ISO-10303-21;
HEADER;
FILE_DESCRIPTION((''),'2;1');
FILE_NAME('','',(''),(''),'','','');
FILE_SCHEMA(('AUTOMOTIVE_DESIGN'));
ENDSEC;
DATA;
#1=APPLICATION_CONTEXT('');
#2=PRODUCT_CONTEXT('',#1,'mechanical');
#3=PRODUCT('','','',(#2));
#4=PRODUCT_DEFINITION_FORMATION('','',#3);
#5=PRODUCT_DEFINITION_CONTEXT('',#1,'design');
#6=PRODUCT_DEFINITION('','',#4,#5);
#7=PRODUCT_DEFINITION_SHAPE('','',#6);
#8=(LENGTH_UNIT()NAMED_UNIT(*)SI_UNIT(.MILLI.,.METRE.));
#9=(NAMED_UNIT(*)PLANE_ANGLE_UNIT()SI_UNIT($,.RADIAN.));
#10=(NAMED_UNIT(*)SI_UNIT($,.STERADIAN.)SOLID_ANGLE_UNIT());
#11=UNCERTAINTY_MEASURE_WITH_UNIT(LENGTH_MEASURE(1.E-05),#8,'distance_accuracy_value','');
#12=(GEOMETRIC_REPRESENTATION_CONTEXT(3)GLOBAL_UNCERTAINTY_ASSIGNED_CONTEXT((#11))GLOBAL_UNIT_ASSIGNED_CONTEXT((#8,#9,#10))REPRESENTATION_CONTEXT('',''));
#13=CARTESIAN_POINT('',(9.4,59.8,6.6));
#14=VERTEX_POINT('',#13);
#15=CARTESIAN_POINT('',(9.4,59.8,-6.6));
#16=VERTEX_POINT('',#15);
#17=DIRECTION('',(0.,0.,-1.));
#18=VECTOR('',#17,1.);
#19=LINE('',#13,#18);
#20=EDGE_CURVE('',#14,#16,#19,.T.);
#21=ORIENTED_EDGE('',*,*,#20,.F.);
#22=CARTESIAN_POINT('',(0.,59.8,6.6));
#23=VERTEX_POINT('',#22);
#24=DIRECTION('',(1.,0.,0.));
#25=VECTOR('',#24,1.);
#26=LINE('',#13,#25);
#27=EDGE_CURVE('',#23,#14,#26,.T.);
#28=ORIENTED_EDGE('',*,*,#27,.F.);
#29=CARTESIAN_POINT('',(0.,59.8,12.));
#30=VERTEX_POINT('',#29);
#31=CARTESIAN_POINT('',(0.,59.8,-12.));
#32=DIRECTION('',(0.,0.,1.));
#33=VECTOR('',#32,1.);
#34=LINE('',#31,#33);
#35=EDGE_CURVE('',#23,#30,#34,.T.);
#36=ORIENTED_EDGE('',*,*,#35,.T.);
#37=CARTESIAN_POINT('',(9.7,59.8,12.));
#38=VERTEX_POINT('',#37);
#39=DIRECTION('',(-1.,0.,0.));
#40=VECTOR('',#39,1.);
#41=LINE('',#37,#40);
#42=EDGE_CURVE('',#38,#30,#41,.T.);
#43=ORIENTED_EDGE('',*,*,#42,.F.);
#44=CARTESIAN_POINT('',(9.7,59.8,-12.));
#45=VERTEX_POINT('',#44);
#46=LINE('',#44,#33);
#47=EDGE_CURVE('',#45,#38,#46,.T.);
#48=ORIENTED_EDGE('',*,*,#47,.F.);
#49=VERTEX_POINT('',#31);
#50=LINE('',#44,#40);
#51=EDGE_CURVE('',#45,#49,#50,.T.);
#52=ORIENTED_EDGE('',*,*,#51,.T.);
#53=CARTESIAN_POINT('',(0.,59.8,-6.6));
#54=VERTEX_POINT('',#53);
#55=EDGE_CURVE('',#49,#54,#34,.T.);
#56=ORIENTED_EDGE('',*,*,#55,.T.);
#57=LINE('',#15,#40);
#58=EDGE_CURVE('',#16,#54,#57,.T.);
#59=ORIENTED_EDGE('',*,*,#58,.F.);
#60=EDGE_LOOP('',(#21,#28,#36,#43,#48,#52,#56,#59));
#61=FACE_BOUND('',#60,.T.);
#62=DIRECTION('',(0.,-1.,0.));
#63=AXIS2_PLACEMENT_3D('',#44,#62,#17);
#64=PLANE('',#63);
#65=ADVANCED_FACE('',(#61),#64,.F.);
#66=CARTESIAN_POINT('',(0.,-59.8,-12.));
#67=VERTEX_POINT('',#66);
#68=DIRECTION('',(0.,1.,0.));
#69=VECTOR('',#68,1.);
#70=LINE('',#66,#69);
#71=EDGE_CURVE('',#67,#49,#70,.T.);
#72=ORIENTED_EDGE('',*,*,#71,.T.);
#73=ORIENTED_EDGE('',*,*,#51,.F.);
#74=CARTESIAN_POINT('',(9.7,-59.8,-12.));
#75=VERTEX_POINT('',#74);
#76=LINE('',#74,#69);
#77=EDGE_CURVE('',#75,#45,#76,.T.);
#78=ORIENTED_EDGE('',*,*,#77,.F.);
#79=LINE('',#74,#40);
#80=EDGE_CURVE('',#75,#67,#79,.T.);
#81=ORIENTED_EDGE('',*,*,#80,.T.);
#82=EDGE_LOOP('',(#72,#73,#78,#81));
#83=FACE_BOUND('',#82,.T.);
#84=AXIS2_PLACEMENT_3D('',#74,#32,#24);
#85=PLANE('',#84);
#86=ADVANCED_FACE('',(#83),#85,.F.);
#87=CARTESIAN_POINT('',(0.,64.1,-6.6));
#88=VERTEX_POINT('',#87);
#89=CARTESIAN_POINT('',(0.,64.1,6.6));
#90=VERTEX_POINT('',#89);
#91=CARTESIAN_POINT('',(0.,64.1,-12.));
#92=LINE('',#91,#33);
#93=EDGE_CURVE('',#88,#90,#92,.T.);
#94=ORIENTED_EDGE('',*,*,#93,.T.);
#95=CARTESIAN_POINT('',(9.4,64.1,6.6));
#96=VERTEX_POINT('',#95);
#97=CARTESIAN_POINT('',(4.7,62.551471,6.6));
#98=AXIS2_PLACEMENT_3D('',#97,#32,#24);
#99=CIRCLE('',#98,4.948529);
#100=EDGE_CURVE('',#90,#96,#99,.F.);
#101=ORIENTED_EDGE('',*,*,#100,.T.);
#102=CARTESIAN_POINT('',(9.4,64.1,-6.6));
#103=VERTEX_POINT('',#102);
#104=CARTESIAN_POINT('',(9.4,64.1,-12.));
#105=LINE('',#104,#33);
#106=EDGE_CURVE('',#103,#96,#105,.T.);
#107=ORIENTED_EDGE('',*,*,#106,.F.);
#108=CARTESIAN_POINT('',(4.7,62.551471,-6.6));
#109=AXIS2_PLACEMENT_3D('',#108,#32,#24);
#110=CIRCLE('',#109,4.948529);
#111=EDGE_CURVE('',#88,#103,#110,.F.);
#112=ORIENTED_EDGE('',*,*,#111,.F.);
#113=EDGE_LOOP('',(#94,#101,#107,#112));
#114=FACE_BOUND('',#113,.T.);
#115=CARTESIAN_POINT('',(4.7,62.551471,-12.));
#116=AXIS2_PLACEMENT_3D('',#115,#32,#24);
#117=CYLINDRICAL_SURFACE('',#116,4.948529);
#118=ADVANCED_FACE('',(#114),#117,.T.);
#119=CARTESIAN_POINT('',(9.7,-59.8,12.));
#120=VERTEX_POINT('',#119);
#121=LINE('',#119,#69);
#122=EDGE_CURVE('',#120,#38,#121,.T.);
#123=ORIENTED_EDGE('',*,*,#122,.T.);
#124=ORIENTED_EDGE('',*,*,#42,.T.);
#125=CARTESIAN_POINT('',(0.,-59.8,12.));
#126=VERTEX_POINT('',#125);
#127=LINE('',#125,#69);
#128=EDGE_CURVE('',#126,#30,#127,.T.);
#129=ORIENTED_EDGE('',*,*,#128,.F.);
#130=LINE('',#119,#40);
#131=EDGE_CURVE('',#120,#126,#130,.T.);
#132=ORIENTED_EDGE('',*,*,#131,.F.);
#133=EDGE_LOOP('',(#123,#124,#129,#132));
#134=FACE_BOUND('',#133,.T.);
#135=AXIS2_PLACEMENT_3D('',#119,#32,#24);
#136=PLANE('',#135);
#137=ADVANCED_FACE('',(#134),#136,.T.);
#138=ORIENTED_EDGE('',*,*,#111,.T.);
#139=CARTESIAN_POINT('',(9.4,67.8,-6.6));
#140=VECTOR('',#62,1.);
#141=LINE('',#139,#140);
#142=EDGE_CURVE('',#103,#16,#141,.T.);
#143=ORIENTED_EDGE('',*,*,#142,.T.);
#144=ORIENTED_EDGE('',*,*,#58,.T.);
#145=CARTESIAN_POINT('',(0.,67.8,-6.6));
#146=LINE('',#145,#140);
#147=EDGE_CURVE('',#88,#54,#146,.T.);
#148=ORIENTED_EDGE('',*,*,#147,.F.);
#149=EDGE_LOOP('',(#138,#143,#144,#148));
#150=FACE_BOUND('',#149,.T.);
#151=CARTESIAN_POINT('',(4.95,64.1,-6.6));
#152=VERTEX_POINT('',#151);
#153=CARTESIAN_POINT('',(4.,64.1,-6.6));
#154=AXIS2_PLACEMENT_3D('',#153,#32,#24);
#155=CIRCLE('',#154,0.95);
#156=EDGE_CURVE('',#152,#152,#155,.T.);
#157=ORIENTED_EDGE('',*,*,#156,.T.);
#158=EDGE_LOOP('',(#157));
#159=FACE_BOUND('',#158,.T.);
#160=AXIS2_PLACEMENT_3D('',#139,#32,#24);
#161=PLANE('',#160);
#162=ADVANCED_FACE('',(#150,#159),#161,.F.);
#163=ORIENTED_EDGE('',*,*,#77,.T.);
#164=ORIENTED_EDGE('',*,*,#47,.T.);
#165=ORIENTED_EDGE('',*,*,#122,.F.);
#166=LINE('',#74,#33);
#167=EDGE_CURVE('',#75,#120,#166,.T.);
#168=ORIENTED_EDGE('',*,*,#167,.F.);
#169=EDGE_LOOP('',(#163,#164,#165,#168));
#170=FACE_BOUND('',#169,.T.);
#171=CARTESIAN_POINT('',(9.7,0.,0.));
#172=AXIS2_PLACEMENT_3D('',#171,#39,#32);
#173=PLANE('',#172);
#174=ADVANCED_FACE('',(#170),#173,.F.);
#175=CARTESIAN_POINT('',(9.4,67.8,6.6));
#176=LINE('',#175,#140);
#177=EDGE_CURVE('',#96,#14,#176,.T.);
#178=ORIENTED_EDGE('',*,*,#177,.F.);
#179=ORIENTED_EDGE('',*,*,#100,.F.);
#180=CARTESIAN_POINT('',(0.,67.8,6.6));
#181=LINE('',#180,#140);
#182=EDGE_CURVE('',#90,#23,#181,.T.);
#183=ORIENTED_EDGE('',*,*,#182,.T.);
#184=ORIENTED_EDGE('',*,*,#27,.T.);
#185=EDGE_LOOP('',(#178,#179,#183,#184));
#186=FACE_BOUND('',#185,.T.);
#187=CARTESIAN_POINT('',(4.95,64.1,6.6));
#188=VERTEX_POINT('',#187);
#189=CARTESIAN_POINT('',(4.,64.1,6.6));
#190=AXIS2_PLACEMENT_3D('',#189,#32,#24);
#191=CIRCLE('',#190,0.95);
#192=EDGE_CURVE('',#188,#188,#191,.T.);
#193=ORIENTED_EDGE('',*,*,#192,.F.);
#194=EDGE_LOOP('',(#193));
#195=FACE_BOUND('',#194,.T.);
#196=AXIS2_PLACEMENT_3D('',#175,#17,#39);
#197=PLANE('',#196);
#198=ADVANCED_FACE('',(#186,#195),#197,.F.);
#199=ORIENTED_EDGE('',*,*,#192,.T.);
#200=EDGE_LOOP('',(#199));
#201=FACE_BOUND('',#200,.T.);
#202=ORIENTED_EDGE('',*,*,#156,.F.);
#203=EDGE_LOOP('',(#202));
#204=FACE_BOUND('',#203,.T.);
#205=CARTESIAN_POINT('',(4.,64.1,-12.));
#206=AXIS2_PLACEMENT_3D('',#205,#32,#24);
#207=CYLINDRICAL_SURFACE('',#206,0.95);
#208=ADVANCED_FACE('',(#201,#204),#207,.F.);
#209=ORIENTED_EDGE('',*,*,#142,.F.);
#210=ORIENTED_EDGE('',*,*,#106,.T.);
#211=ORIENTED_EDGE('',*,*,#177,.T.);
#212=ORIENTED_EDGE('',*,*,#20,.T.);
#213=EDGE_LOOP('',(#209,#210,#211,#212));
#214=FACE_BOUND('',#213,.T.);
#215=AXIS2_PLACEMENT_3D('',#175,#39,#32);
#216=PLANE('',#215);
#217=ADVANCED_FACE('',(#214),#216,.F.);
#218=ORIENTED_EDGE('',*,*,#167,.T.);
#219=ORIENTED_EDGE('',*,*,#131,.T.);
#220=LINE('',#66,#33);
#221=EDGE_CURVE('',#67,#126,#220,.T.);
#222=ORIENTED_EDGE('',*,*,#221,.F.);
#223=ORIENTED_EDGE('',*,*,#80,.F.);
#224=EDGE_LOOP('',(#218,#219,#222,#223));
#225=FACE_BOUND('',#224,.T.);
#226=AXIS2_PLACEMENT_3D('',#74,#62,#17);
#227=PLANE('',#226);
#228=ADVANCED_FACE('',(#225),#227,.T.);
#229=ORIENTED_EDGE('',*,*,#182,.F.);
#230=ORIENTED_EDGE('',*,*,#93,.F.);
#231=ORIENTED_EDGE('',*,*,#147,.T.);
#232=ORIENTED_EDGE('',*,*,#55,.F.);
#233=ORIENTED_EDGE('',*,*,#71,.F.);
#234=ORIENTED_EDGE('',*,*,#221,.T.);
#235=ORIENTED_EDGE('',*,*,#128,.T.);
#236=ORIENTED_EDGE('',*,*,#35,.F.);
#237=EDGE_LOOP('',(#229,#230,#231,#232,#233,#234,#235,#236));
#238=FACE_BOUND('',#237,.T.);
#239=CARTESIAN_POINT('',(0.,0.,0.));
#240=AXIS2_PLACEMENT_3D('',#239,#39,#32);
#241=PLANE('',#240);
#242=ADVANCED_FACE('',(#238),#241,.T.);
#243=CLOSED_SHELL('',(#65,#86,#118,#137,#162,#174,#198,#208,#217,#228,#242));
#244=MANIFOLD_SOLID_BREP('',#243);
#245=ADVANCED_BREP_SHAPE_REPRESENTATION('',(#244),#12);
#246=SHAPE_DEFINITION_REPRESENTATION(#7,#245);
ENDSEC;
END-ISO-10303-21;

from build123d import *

# Parameters (mm, degrees)
SKETCH1_W           = 119.6
SKETCH1_H           = 24
BOSS_EXTRUDE1_DEPTH = 9.7
SKETCH3_W           = 9.4
SKETCH3_H           = 13.2
BOSS_EXTRUDE2_DEPTH = 8
SKETCH4_R           = 0.95
CUT_EXTRUDE1_DEPTH  = 71.971050436


with BuildPart() as part:
    # Sketch1 → Boss-Extrude1 (new body)
    with BuildSketch(Plane.YZ):
        Rectangle(SKETCH1_W, SKETCH1_H)
    extrude(amount=BOSS_EXTRUDE1_DEPTH)

    # Sketch3 → Boss-Extrude2 (add)
    with BuildSketch(Plane(origin=(0, 59.8, 0), x_dir=(-1, 0, 0), z_dir=(0, 1, 0))):
        with Locations((-4.7, 0)):
            Rectangle(SKETCH3_W, SKETCH3_H)
    extrude(amount=BOSS_EXTRUDE2_DEPTH)

    # Sketch4 → Cut-Extrude1 (cut, through all)
    with BuildSketch(Plane.XY.offset(6.6)):
        with BuildLine():
            Line((0, 67.8), (0, 64.1))
            ThreePointArc((0, 64.1), (4.7, 67.5), (9.4, 64.1))
            Line((9.4, 64.1), (9.4, 67.8))
            Line((9.4, 67.8), (0, 67.8))
        make_face()
        with Locations((4, 64.1)):
            Circle(SKETCH4_R)
    extrude(amount=-CUT_EXTRUDE1_DEPTH, mode=Mode.SUBTRACT)


solid = part.part
